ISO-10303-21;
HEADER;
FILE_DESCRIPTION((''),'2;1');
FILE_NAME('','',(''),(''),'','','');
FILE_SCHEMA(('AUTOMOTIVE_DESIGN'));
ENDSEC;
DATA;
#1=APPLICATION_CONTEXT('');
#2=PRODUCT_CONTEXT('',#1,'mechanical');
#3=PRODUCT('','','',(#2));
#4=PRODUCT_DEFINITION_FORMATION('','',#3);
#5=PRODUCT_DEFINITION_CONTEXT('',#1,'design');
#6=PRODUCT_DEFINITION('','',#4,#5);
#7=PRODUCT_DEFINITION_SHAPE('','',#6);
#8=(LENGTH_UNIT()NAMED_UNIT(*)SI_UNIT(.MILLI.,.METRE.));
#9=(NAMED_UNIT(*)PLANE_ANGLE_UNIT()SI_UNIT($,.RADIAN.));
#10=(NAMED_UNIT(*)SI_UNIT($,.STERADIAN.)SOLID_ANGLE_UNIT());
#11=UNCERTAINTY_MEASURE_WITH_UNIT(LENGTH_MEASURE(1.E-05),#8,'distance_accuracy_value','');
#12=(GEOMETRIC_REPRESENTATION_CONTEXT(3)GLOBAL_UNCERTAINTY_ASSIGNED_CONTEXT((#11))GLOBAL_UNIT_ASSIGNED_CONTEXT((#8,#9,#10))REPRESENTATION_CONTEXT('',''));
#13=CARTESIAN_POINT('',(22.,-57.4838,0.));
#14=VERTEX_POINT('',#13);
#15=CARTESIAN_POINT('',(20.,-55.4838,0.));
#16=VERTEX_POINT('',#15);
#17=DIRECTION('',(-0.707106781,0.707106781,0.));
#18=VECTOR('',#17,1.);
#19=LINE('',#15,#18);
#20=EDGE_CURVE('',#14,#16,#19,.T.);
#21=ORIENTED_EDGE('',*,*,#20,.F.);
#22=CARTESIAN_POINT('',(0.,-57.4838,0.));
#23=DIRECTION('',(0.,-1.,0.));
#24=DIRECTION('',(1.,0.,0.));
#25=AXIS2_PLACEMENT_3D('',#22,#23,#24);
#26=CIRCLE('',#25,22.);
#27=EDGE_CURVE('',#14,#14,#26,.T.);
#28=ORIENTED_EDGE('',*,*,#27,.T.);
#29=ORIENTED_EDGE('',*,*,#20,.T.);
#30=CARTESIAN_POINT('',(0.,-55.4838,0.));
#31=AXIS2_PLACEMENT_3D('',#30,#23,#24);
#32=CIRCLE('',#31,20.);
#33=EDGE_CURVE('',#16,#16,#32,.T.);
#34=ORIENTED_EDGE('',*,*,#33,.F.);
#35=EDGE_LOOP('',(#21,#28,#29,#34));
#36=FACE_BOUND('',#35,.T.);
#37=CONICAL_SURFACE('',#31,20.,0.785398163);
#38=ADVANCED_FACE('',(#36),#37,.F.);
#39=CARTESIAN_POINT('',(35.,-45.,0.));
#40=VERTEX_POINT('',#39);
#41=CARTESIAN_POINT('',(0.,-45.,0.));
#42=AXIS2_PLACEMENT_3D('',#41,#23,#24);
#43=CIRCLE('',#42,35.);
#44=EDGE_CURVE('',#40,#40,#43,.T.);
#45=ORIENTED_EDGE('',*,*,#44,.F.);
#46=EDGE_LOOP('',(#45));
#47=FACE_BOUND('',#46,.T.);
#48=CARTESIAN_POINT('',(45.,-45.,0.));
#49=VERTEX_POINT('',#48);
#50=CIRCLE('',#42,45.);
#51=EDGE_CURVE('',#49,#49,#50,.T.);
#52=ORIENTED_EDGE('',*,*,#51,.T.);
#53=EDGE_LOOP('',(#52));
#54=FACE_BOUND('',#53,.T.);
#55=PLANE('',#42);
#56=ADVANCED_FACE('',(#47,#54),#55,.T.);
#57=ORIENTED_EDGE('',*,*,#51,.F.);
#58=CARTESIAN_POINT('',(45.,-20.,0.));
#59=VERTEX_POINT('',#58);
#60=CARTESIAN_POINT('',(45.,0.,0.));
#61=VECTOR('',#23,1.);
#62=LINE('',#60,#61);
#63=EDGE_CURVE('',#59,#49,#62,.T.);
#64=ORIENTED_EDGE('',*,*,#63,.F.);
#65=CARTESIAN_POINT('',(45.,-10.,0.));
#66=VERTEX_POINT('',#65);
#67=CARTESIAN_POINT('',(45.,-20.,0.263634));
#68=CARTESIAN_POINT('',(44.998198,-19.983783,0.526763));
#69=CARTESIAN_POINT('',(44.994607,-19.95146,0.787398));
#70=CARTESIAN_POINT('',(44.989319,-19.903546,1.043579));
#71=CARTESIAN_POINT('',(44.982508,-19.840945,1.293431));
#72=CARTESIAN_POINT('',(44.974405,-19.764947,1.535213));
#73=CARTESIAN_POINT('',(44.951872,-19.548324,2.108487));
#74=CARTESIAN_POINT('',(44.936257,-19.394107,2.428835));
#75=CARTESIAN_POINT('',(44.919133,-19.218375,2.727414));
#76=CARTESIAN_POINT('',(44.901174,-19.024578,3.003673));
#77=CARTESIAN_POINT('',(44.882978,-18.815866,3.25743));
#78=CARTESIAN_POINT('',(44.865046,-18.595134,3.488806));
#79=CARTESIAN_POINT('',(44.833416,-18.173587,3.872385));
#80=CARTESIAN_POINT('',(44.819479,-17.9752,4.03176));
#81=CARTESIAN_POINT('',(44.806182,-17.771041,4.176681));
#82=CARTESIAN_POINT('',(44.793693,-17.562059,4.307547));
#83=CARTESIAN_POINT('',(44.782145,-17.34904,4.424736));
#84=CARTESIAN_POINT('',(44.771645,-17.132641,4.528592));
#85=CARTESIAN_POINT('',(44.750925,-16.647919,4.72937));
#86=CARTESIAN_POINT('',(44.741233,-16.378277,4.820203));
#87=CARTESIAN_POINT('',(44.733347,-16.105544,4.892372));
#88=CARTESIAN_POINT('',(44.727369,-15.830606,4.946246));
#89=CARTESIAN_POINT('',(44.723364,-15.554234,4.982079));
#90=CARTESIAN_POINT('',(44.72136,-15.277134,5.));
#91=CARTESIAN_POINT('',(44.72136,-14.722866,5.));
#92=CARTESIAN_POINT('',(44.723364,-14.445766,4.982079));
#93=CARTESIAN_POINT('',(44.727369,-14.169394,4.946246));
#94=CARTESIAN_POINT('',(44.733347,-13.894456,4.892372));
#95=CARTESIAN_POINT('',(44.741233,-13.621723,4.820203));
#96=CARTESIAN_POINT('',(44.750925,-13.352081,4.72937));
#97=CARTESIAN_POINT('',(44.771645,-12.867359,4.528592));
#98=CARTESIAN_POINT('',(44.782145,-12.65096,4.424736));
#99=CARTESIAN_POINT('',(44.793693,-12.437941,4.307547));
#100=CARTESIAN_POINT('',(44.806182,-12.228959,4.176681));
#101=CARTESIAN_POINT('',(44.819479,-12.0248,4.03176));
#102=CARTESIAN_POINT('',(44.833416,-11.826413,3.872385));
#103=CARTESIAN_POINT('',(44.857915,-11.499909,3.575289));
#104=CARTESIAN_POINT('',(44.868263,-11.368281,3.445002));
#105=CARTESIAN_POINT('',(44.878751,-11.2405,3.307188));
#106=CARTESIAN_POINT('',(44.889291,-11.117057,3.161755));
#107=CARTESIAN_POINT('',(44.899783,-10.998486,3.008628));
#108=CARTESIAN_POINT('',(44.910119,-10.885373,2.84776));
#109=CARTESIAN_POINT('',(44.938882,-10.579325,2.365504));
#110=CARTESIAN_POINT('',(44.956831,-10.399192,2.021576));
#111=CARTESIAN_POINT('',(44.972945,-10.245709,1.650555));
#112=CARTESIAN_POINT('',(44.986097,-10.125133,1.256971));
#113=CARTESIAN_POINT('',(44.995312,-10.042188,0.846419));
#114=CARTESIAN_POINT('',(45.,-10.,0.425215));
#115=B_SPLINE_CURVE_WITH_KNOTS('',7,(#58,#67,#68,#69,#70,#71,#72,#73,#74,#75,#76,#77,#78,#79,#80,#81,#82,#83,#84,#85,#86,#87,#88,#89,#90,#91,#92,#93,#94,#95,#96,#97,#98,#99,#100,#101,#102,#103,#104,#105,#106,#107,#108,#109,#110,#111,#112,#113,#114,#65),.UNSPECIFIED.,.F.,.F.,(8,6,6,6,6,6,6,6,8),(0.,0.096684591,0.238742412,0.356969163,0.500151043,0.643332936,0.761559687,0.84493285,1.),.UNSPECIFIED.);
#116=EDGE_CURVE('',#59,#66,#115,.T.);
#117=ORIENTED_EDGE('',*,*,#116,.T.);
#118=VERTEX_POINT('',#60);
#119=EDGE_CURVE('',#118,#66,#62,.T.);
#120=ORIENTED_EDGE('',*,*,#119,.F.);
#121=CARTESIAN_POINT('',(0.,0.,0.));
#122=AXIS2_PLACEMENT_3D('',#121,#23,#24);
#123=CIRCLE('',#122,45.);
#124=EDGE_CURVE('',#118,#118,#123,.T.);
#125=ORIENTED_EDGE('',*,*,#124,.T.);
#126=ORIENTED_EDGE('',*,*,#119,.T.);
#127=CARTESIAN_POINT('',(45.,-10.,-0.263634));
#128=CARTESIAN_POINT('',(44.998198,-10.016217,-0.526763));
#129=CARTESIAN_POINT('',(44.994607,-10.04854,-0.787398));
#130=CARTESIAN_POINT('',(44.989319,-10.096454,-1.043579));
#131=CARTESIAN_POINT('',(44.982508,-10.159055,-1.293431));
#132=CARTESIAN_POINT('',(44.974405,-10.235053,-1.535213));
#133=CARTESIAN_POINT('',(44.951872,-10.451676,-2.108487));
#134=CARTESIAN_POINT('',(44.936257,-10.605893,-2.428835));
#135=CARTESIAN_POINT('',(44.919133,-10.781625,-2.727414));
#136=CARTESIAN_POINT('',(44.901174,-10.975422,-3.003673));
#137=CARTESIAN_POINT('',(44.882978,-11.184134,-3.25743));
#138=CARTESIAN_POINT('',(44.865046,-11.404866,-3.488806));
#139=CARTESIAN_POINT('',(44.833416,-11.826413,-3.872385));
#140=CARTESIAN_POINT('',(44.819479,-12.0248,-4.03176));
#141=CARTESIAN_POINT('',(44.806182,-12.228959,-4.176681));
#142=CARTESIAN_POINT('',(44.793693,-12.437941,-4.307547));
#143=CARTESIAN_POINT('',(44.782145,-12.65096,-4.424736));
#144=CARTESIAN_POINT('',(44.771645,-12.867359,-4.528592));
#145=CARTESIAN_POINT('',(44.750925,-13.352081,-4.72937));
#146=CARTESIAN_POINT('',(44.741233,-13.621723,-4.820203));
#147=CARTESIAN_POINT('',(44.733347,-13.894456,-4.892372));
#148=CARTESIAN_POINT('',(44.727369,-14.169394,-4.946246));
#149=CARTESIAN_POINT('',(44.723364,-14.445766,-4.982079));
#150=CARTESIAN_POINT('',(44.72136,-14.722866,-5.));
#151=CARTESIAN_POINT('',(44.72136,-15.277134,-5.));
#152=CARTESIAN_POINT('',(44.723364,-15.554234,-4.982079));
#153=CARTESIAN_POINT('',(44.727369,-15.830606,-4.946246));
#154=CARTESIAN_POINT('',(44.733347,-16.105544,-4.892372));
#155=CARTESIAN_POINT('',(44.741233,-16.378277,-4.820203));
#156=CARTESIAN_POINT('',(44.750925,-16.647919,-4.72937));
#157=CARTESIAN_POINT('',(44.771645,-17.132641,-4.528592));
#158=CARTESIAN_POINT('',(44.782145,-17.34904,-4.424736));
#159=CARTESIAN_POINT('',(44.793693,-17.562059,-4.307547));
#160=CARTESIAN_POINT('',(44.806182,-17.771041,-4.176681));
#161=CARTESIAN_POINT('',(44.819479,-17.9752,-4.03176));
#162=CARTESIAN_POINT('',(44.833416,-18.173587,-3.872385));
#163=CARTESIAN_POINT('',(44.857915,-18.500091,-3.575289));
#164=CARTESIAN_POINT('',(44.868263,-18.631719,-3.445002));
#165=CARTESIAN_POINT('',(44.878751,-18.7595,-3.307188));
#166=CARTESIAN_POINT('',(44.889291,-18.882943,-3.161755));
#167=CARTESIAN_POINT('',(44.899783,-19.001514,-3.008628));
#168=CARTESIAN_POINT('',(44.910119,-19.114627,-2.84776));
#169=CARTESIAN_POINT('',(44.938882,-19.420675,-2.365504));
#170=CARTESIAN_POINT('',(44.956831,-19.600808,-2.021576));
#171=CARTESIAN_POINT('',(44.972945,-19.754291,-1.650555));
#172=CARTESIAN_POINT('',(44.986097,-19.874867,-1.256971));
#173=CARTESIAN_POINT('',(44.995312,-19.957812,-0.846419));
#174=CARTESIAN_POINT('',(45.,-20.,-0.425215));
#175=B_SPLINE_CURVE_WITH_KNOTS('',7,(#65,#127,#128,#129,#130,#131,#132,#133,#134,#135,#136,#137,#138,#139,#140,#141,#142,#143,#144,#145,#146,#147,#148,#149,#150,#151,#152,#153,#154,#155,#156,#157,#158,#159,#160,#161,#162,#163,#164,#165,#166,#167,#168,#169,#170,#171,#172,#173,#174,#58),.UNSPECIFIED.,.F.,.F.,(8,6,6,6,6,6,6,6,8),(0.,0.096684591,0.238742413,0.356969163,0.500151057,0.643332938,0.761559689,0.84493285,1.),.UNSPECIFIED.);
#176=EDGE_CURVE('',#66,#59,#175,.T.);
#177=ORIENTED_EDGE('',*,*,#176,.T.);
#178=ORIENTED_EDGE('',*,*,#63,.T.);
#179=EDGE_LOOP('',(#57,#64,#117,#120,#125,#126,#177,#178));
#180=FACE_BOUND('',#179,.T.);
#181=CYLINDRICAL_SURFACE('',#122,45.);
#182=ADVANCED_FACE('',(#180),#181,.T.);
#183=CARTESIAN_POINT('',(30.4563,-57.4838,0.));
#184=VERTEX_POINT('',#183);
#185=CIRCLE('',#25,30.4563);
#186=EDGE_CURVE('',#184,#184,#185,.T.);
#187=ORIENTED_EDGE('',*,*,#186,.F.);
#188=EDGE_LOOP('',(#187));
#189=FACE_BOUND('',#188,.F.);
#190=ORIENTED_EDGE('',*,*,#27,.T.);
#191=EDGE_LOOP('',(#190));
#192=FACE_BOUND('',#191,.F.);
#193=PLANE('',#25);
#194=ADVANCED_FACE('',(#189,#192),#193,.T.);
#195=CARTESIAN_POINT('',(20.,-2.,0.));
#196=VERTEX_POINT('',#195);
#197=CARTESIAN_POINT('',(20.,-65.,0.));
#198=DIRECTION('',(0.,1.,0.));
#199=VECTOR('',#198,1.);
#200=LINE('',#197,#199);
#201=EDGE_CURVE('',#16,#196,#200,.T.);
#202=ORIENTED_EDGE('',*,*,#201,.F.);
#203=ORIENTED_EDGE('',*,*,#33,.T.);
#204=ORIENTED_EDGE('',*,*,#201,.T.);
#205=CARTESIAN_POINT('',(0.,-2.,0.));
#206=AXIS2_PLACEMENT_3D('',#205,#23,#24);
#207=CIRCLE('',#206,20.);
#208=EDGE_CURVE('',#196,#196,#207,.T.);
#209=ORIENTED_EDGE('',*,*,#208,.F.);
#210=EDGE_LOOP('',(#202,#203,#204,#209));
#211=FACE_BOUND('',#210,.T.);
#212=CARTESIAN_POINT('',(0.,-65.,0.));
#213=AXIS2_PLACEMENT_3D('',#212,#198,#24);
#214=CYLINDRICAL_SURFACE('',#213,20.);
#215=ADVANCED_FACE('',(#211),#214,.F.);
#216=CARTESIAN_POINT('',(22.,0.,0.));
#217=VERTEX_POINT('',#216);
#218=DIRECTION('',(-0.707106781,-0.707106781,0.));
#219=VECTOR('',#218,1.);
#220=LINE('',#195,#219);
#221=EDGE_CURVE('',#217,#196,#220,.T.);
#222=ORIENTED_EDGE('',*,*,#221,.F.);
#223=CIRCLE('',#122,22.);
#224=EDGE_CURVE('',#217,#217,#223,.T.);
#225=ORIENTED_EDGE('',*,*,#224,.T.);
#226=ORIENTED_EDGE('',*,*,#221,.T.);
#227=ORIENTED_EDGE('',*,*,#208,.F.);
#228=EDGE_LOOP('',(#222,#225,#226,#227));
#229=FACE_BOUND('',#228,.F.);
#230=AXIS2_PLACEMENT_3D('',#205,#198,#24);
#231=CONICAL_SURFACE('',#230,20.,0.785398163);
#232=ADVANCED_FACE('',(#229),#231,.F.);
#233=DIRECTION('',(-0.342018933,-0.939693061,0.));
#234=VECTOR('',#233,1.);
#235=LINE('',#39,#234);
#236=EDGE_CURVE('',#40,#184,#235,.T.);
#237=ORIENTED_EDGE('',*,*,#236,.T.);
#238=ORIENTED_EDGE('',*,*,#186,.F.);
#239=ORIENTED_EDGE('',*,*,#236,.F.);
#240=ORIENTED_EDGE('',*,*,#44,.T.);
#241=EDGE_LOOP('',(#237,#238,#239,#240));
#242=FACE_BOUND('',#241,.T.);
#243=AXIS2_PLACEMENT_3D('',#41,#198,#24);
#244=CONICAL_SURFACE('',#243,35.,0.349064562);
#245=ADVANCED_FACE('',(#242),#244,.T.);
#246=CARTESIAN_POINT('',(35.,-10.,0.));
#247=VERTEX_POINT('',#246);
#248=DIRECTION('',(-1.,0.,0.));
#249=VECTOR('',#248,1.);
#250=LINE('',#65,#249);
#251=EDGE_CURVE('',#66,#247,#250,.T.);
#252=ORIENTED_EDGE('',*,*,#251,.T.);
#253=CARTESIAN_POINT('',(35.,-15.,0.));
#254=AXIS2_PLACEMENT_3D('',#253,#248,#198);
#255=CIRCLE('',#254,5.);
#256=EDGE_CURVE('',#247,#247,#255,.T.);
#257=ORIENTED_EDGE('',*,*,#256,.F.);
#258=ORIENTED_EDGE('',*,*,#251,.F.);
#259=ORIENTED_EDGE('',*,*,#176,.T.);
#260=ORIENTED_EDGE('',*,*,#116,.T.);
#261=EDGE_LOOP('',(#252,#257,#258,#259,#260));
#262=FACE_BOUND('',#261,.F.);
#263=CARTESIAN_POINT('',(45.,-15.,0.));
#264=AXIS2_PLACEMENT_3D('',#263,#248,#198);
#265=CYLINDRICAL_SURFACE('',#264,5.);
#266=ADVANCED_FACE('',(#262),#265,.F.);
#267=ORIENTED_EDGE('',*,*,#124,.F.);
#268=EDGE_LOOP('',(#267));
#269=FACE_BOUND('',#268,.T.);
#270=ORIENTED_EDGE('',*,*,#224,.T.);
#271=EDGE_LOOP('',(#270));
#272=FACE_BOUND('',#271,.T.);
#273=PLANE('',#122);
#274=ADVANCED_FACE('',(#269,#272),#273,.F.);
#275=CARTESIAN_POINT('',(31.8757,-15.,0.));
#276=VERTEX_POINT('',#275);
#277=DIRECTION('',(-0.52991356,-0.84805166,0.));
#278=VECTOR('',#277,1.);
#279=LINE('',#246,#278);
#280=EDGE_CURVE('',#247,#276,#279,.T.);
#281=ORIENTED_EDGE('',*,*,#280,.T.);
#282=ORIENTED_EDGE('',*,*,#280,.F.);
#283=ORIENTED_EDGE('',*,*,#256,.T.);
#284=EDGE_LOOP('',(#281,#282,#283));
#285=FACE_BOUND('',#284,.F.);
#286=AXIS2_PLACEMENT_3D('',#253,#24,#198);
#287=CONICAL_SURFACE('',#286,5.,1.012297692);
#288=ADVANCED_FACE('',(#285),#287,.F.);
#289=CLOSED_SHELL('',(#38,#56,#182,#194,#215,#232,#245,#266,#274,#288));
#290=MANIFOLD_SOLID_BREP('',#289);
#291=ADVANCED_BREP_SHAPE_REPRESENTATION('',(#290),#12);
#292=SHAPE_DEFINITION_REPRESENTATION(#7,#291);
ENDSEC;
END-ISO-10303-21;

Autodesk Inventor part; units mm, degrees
ref_plane "YZ Plane" through (0, 0, 0) normal (1, 0, 0) x (0, 1, 0)
ref_plane "XZ Plane" through (0, 0, 0) normal (0, 1, 0) x (-1, 0, 0)
ref_plane "XY Plane" through (0, 0, 0) normal (0, 0, 1) x (1, 0, 0)
sketch "Эскиз1" plane through (0, 0, 0) normal (0, 0, 1) x (1, 0, 0)
  line L0 (0, 0) -> (45, 0)
  line L1 (45, 0) -> (45, -45)
  line L2 (45, -45) -> (35, -45)
  line L3 (20, -65) -> (20, 0)
  line L4 (35, -45) -> (27.6938, -65.0737)
  line L5 (20, -57.4838) -> (30.4563, -57.4838)
  line L6 (0, 0) -> (0, -13.3093)
  dimension "d0" = 45
  dimension "d1" = 45
  dimension "d2" = 10
  dimension "d5" = 20
  dimension "d6" = 110
revolve "Вращение1" add sketch "Эскиз1" angle 360 about axis through (0, 0, 0) along (0, -1, 0)
thread "Резьба1" size "M40x3" class "6H" standard "ANSI Metric M Profile" full length
chamfer "Фаска1" distance 2 angle 45 2 edges at (-20, 0, 0) (-20, -57.4838, 0)
sketch "Эскиз2" plane through (0, 0, 0) normal (0, 0, 1) x (1, 0, 0)
  line L0 (45, 0) -> (45, -45) projected
  line L1 (45, 0) -> (45, -15)
  line L2 (45, -15) -> (34.4215, -15)
  line L3 (45, -15) -> (45, -10)
  line L4 (45, -10) -> (35, -10)
  line L5 (35, -10) -> (31.8757, -15)
  line L6 (34.4215, -15) -> (31.8757, -15)
  point P0 (0, 0)
  dimension "d13" = 15
  dimension "d14" = 5
  dimension "d15" = 10
  dimension "d17" = 58
revolve "Вращение2" cut sketch "Эскиз2" angle 360 about axis through (45, -15, 0) along (-1, 0, 0)
properties part number "Гайка шток-поршень" material "Сталь, углеродистая"
